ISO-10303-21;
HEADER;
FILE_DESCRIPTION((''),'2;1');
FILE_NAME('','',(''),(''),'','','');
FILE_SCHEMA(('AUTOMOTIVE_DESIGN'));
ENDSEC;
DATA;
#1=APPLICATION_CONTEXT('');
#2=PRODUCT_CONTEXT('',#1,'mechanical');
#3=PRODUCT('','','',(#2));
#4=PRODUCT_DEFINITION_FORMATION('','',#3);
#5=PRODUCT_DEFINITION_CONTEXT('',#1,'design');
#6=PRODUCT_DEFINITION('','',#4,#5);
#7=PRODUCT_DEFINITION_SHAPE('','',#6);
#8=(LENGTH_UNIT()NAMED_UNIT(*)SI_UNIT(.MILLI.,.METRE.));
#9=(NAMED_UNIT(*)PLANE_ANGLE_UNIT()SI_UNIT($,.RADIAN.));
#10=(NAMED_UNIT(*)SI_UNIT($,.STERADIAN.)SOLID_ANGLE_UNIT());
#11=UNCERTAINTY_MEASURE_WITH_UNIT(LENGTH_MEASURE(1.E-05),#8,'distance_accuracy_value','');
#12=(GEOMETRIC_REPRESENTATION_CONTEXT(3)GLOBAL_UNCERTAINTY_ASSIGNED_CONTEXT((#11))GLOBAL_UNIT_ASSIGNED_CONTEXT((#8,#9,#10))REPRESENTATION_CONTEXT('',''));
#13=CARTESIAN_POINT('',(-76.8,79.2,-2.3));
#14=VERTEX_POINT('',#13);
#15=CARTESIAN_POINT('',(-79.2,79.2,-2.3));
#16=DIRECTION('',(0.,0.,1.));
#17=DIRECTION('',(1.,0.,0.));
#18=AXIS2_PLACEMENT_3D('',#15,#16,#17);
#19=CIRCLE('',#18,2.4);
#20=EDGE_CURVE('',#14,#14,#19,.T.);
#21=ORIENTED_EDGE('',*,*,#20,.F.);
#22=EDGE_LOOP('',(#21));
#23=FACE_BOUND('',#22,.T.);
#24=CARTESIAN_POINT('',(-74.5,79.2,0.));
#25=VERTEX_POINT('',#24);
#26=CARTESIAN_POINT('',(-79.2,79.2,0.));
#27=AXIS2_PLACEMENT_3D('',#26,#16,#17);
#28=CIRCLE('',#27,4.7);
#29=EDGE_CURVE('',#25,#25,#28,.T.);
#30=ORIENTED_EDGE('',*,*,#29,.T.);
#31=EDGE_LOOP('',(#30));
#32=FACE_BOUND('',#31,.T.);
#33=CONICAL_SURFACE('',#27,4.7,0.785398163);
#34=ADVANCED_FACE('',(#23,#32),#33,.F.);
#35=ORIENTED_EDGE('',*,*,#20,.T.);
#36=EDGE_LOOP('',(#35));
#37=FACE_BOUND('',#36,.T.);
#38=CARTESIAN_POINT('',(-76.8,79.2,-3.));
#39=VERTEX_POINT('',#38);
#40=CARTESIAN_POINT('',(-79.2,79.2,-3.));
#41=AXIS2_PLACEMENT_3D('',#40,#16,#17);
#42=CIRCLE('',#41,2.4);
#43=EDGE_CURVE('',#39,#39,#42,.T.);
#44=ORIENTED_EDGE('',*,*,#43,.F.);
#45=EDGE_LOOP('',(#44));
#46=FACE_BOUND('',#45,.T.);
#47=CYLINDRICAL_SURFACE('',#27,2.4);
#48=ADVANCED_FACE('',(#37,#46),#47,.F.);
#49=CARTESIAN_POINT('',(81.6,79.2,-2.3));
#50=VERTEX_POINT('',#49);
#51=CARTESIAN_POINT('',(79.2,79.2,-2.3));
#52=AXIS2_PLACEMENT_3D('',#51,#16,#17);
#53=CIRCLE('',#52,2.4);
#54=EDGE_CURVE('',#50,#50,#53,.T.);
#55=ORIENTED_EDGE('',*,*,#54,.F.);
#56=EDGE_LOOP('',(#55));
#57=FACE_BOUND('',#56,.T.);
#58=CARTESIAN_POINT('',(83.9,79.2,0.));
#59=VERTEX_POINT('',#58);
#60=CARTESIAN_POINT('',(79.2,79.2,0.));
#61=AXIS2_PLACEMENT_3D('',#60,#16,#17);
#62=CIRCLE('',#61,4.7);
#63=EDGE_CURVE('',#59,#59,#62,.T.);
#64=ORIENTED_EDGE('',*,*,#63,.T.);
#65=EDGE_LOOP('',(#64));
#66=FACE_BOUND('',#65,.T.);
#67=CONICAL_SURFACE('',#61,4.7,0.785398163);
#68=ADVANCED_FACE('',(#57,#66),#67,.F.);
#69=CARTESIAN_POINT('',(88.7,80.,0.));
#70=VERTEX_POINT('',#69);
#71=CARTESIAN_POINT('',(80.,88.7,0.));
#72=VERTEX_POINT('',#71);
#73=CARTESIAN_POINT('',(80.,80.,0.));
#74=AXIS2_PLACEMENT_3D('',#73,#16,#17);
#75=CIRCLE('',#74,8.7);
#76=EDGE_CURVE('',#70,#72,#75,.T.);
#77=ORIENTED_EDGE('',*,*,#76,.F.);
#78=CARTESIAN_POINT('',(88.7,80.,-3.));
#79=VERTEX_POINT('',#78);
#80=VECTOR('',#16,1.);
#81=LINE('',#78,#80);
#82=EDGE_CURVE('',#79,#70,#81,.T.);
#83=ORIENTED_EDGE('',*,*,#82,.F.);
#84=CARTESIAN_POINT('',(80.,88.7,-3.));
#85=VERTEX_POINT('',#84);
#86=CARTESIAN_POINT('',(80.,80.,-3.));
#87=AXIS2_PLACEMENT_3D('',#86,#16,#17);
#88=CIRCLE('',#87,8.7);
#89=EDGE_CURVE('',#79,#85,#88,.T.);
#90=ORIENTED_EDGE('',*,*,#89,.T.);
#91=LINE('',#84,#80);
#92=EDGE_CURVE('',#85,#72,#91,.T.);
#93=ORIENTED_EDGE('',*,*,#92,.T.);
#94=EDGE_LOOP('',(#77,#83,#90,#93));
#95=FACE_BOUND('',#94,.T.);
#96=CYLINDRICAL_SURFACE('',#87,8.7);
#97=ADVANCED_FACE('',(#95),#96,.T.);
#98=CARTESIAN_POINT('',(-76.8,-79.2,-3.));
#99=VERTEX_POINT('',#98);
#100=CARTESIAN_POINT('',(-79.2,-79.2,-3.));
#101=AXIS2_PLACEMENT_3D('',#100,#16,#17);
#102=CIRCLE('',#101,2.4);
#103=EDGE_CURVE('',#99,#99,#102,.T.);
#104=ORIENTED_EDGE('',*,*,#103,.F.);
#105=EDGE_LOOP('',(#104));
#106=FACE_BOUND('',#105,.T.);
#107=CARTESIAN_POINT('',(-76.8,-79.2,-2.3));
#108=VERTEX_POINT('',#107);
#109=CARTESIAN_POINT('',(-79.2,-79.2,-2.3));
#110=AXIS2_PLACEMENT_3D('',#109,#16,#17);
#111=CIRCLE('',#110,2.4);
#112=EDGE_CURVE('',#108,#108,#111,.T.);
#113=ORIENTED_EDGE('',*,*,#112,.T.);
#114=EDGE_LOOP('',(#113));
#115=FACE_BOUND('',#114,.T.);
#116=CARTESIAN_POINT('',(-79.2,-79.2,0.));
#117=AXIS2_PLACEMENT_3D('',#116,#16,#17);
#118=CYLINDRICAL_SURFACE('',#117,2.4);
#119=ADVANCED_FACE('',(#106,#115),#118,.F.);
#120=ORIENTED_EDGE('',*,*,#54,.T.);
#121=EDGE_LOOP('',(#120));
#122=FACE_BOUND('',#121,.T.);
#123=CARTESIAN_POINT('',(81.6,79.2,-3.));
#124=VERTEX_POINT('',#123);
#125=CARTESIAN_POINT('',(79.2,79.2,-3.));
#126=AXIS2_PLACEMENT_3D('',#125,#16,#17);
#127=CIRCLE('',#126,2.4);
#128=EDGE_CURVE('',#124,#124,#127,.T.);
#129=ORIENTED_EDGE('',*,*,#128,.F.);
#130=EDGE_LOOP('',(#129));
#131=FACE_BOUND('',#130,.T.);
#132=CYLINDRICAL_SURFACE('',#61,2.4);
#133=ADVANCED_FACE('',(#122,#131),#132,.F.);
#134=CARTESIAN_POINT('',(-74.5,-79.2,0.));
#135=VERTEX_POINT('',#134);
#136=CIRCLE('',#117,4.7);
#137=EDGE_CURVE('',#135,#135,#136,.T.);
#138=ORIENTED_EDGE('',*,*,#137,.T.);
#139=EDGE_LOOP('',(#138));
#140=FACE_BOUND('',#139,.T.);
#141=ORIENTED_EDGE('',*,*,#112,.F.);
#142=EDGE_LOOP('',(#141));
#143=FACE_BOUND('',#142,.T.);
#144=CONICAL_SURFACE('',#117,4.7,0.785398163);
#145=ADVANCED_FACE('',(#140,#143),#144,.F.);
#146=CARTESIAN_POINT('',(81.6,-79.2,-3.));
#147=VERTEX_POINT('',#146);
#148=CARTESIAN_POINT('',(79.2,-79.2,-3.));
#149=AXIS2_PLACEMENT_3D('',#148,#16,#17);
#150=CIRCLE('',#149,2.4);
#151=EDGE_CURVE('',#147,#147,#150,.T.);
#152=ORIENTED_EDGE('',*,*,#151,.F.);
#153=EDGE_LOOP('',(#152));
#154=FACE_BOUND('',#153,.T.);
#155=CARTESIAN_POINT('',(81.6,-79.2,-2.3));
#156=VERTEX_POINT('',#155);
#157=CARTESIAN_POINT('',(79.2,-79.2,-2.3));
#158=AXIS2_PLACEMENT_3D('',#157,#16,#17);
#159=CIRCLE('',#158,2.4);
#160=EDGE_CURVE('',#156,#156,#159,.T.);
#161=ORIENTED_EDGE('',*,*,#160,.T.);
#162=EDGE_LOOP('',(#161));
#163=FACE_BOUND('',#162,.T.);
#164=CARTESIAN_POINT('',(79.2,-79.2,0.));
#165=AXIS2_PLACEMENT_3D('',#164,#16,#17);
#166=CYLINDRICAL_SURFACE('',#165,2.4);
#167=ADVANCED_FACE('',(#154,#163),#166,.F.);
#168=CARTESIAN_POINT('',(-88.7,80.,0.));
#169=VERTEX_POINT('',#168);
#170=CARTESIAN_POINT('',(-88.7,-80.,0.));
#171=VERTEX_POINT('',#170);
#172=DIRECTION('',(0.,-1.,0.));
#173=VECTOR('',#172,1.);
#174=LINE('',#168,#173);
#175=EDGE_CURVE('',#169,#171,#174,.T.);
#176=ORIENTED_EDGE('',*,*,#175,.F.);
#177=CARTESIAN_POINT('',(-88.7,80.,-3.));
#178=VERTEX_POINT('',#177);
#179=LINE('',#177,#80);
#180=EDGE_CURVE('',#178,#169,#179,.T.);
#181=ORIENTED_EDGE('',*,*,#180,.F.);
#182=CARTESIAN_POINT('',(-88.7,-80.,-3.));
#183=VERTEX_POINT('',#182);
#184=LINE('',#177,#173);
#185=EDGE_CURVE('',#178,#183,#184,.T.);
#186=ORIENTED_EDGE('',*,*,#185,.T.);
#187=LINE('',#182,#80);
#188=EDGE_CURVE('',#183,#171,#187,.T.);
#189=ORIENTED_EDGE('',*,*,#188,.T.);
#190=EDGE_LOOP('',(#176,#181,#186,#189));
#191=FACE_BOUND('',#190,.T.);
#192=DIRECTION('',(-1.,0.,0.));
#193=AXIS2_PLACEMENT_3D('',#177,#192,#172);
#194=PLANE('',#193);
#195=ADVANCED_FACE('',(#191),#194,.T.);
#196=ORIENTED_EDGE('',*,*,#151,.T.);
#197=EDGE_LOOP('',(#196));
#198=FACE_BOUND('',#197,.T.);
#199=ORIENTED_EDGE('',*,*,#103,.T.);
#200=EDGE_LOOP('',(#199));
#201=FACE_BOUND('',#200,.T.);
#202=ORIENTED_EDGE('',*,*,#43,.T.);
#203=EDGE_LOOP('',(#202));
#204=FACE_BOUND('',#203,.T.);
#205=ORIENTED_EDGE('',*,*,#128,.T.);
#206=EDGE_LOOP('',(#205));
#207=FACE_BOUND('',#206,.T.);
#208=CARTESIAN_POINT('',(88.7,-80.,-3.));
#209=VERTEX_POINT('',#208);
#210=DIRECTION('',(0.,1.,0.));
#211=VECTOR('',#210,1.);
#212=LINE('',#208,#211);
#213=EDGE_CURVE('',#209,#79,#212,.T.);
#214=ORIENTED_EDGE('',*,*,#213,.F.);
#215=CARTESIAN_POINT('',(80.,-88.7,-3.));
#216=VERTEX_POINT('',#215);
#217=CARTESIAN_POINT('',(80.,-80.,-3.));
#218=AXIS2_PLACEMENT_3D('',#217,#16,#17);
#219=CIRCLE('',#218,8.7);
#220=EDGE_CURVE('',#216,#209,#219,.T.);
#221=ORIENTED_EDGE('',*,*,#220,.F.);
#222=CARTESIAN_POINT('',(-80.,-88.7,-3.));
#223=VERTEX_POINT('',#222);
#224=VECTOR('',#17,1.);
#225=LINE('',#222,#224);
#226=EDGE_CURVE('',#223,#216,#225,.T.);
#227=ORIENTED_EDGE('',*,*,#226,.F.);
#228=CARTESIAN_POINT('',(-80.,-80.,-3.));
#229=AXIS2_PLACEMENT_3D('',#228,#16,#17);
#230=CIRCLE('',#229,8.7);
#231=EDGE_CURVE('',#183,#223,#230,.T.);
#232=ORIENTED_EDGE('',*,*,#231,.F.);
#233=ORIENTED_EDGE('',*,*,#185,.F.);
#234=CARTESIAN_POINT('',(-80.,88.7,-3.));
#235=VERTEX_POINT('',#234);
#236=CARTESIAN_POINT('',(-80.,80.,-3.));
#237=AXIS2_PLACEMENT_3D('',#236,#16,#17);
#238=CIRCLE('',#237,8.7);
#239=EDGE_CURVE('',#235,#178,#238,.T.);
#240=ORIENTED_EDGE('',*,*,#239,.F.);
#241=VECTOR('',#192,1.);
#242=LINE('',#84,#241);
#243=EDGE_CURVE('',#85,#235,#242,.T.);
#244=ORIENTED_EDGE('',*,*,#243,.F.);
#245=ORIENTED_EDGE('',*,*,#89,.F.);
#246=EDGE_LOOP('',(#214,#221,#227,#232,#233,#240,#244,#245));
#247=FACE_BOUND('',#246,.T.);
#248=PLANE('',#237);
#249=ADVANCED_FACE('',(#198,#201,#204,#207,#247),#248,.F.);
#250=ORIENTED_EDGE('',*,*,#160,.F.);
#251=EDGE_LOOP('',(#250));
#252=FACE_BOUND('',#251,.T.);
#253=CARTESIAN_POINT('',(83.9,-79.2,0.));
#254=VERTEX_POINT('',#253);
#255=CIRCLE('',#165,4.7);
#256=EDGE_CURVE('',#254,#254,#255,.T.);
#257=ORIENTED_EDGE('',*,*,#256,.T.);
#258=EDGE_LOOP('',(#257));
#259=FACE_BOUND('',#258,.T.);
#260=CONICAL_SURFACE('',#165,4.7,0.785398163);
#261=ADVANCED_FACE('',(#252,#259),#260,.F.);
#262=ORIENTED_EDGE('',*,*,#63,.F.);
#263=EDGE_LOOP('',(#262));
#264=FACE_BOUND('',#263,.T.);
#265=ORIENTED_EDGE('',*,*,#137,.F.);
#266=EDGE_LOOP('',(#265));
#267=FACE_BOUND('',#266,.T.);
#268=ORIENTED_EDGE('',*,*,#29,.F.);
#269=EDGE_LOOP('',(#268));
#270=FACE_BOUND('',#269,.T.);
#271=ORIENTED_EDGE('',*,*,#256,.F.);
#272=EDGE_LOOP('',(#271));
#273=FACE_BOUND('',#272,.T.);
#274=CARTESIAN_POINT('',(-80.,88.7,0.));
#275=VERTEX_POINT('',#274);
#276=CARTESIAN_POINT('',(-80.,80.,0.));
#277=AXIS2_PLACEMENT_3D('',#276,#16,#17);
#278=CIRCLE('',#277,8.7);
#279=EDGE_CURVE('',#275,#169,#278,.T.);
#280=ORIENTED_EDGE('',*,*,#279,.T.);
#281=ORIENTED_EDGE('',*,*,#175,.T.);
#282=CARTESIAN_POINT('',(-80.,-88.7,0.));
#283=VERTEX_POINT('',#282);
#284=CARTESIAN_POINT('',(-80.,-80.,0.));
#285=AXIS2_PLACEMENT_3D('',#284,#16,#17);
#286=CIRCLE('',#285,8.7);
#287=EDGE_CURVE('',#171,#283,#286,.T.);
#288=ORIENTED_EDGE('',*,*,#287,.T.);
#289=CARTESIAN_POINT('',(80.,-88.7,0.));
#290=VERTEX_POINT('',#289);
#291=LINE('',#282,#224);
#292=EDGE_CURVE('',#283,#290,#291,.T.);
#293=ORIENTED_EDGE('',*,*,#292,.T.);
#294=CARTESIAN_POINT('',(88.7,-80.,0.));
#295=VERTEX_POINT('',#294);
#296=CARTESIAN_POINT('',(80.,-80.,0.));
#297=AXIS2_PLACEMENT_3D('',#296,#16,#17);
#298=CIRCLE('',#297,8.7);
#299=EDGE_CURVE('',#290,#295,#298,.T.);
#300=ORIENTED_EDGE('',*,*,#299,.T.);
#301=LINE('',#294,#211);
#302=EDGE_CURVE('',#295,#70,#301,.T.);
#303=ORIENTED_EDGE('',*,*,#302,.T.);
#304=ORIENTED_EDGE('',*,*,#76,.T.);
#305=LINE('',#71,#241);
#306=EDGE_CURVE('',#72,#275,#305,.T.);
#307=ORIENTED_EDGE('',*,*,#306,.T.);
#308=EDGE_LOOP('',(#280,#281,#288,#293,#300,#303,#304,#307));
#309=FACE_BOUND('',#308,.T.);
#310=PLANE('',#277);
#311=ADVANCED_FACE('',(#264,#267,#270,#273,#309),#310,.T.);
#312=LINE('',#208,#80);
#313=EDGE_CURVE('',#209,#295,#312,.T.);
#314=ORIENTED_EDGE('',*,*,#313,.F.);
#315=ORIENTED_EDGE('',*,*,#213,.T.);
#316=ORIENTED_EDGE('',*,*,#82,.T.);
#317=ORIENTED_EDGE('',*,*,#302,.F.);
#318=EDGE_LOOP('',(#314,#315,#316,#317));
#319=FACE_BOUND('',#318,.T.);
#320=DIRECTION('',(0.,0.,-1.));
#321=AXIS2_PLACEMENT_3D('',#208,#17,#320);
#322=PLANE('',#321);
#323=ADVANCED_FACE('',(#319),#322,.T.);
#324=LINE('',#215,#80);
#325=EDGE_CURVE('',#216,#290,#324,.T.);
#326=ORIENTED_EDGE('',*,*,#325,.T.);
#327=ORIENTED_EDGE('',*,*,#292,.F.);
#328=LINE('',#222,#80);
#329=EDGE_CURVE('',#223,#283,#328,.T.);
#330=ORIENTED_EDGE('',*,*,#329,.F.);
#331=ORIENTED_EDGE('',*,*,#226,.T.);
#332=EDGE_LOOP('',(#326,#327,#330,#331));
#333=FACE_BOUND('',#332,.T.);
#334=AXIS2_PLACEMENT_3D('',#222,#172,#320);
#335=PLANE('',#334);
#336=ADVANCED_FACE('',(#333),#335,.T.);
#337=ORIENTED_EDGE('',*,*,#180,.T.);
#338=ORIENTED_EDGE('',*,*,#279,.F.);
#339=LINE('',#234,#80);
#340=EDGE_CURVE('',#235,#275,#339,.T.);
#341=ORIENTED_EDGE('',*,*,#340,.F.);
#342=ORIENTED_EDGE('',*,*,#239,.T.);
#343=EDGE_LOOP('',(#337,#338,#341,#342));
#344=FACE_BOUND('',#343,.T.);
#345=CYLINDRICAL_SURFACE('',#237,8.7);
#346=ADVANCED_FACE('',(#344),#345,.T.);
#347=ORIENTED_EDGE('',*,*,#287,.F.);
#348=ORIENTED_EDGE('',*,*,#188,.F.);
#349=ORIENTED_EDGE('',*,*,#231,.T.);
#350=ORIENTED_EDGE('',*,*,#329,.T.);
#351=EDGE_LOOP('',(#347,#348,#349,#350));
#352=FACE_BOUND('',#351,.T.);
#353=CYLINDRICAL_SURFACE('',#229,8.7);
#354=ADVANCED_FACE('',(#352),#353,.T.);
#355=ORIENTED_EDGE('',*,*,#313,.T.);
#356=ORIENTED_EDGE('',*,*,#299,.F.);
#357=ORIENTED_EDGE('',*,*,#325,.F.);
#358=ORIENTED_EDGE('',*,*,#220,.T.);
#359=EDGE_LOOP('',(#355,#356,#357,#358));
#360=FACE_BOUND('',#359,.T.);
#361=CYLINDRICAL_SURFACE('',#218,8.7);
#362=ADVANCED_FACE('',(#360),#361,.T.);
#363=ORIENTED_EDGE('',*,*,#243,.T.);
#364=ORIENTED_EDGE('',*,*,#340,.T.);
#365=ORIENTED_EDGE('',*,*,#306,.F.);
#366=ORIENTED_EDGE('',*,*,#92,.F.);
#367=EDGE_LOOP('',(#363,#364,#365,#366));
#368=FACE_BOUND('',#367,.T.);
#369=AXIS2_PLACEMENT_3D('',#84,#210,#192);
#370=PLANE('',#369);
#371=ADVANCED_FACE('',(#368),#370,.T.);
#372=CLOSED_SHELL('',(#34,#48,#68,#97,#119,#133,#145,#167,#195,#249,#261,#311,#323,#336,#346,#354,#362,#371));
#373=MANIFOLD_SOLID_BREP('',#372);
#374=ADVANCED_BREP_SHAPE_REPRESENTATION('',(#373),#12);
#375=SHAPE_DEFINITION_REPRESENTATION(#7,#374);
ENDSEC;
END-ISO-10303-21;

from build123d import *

# Parameters (mm, degrees)
BOSS_EXTRUDE1_DEPTH                            = 3
CSK_FOR_M4_FLAT_HEAD_MACHINE_SCREW1_AT_2_COUNT = 2
CSK_FOR_M4_FLAT_HEAD_MACHINE_SCREW1_AT_2_PITCH = 158.4
CSK_FOR_M4_FLAT_HEAD_MACHINE_SCREW1_AT_3_COUNT = 2
CSK_FOR_M4_FLAT_HEAD_MACHINE_SCREW1_AT_3_PITCH = 224.01142828
CSK_FOR_M4_FLAT_HEAD_MACHINE_SCREW1_AT_4_COUNT = 2
CSK_FOR_M4_FLAT_HEAD_MACHINE_SCREW1_AT_4_PITCH = 158.4


with BuildPart() as part:
    # Sketch1 → Boss-Extrude1 (new body)
    with BuildSketch(Plane.XY):
        with BuildLine():
            Line((-88.7, 80), (-88.7, -80))
            ThreePointArc((-88.7, -80), (-86.151828996, -86.151828996), (-80, -88.7))
            Line((-80, -88.7), (80, -88.7))
            ThreePointArc((80, -88.7), (86.151828996, -86.151828996), (88.7, -80))
            Line((88.7, -80), (88.7, 80))
            ThreePointArc((88.7, 80), (86.151828996, 86.151828996), (80, 88.7))
            Line((80, 88.7), (-80, 88.7))
            ThreePointArc((-80, 88.7), (-86.151828996, 86.151828996), (-88.7, 80))
        make_face()
    extrude(amount=-BOSS_EXTRUDE1_DEPTH)

    # Sketch3 → CSK for M4 Flat Head Machine Screw1 (revolve, cut)
    with BuildSketch(Plane(origin=(-79.2, 79.2, 0), x_dir=(0, -1, 0), z_dir=(1, 0, 0))):
        Polygon((0, 0), (0, 3), (2.4, 3), (2.4, 2.3), (4.7, 0), align=None)
    csk_for_m4_flat_head_machine_screw1 = revolve(axis=Axis((-79.2, 79.2, 6.35), (0, 0, -1)), mode=Mode.SUBTRACT)

    # CSK for M4 Flat Head Machine Screw1 at 2: CSK for M4 Flat Head Machine Screw1 ×2
    with Locations(*[(i * CSK_FOR_M4_FLAT_HEAD_MACHINE_SCREW1_AT_2_PITCH, 0, 0) for i in range(1, CSK_FOR_M4_FLAT_HEAD_MACHINE_SCREW1_AT_2_COUNT)]):
        add(csk_for_m4_flat_head_machine_screw1, mode=Mode.SUBTRACT)

    # CSK for M4 Flat Head Machine Screw1 at 3: CSK for M4 Flat Head Machine Screw1 ×2
    with Locations(*[Vector(0.707106781, -0.707106781, 0) * (i * CSK_FOR_M4_FLAT_HEAD_MACHINE_SCREW1_AT_3_PITCH) for i in range(1, CSK_FOR_M4_FLAT_HEAD_MACHINE_SCREW1_AT_3_COUNT)]):
        add(csk_for_m4_flat_head_machine_screw1, mode=Mode.SUBTRACT)

    # CSK for M4 Flat Head Machine Screw1 at 4: CSK for M4 Flat Head Machine Screw1 ×2
    with Locations(*[(0, -i * CSK_FOR_M4_FLAT_HEAD_MACHINE_SCREW1_AT_4_PITCH, 0) for i in range(1, CSK_FOR_M4_FLAT_HEAD_MACHINE_SCREW1_AT_4_COUNT)]):
        add(csk_for_m4_flat_head_machine_screw1, mode=Mode.SUBTRACT)


solid = part.part
